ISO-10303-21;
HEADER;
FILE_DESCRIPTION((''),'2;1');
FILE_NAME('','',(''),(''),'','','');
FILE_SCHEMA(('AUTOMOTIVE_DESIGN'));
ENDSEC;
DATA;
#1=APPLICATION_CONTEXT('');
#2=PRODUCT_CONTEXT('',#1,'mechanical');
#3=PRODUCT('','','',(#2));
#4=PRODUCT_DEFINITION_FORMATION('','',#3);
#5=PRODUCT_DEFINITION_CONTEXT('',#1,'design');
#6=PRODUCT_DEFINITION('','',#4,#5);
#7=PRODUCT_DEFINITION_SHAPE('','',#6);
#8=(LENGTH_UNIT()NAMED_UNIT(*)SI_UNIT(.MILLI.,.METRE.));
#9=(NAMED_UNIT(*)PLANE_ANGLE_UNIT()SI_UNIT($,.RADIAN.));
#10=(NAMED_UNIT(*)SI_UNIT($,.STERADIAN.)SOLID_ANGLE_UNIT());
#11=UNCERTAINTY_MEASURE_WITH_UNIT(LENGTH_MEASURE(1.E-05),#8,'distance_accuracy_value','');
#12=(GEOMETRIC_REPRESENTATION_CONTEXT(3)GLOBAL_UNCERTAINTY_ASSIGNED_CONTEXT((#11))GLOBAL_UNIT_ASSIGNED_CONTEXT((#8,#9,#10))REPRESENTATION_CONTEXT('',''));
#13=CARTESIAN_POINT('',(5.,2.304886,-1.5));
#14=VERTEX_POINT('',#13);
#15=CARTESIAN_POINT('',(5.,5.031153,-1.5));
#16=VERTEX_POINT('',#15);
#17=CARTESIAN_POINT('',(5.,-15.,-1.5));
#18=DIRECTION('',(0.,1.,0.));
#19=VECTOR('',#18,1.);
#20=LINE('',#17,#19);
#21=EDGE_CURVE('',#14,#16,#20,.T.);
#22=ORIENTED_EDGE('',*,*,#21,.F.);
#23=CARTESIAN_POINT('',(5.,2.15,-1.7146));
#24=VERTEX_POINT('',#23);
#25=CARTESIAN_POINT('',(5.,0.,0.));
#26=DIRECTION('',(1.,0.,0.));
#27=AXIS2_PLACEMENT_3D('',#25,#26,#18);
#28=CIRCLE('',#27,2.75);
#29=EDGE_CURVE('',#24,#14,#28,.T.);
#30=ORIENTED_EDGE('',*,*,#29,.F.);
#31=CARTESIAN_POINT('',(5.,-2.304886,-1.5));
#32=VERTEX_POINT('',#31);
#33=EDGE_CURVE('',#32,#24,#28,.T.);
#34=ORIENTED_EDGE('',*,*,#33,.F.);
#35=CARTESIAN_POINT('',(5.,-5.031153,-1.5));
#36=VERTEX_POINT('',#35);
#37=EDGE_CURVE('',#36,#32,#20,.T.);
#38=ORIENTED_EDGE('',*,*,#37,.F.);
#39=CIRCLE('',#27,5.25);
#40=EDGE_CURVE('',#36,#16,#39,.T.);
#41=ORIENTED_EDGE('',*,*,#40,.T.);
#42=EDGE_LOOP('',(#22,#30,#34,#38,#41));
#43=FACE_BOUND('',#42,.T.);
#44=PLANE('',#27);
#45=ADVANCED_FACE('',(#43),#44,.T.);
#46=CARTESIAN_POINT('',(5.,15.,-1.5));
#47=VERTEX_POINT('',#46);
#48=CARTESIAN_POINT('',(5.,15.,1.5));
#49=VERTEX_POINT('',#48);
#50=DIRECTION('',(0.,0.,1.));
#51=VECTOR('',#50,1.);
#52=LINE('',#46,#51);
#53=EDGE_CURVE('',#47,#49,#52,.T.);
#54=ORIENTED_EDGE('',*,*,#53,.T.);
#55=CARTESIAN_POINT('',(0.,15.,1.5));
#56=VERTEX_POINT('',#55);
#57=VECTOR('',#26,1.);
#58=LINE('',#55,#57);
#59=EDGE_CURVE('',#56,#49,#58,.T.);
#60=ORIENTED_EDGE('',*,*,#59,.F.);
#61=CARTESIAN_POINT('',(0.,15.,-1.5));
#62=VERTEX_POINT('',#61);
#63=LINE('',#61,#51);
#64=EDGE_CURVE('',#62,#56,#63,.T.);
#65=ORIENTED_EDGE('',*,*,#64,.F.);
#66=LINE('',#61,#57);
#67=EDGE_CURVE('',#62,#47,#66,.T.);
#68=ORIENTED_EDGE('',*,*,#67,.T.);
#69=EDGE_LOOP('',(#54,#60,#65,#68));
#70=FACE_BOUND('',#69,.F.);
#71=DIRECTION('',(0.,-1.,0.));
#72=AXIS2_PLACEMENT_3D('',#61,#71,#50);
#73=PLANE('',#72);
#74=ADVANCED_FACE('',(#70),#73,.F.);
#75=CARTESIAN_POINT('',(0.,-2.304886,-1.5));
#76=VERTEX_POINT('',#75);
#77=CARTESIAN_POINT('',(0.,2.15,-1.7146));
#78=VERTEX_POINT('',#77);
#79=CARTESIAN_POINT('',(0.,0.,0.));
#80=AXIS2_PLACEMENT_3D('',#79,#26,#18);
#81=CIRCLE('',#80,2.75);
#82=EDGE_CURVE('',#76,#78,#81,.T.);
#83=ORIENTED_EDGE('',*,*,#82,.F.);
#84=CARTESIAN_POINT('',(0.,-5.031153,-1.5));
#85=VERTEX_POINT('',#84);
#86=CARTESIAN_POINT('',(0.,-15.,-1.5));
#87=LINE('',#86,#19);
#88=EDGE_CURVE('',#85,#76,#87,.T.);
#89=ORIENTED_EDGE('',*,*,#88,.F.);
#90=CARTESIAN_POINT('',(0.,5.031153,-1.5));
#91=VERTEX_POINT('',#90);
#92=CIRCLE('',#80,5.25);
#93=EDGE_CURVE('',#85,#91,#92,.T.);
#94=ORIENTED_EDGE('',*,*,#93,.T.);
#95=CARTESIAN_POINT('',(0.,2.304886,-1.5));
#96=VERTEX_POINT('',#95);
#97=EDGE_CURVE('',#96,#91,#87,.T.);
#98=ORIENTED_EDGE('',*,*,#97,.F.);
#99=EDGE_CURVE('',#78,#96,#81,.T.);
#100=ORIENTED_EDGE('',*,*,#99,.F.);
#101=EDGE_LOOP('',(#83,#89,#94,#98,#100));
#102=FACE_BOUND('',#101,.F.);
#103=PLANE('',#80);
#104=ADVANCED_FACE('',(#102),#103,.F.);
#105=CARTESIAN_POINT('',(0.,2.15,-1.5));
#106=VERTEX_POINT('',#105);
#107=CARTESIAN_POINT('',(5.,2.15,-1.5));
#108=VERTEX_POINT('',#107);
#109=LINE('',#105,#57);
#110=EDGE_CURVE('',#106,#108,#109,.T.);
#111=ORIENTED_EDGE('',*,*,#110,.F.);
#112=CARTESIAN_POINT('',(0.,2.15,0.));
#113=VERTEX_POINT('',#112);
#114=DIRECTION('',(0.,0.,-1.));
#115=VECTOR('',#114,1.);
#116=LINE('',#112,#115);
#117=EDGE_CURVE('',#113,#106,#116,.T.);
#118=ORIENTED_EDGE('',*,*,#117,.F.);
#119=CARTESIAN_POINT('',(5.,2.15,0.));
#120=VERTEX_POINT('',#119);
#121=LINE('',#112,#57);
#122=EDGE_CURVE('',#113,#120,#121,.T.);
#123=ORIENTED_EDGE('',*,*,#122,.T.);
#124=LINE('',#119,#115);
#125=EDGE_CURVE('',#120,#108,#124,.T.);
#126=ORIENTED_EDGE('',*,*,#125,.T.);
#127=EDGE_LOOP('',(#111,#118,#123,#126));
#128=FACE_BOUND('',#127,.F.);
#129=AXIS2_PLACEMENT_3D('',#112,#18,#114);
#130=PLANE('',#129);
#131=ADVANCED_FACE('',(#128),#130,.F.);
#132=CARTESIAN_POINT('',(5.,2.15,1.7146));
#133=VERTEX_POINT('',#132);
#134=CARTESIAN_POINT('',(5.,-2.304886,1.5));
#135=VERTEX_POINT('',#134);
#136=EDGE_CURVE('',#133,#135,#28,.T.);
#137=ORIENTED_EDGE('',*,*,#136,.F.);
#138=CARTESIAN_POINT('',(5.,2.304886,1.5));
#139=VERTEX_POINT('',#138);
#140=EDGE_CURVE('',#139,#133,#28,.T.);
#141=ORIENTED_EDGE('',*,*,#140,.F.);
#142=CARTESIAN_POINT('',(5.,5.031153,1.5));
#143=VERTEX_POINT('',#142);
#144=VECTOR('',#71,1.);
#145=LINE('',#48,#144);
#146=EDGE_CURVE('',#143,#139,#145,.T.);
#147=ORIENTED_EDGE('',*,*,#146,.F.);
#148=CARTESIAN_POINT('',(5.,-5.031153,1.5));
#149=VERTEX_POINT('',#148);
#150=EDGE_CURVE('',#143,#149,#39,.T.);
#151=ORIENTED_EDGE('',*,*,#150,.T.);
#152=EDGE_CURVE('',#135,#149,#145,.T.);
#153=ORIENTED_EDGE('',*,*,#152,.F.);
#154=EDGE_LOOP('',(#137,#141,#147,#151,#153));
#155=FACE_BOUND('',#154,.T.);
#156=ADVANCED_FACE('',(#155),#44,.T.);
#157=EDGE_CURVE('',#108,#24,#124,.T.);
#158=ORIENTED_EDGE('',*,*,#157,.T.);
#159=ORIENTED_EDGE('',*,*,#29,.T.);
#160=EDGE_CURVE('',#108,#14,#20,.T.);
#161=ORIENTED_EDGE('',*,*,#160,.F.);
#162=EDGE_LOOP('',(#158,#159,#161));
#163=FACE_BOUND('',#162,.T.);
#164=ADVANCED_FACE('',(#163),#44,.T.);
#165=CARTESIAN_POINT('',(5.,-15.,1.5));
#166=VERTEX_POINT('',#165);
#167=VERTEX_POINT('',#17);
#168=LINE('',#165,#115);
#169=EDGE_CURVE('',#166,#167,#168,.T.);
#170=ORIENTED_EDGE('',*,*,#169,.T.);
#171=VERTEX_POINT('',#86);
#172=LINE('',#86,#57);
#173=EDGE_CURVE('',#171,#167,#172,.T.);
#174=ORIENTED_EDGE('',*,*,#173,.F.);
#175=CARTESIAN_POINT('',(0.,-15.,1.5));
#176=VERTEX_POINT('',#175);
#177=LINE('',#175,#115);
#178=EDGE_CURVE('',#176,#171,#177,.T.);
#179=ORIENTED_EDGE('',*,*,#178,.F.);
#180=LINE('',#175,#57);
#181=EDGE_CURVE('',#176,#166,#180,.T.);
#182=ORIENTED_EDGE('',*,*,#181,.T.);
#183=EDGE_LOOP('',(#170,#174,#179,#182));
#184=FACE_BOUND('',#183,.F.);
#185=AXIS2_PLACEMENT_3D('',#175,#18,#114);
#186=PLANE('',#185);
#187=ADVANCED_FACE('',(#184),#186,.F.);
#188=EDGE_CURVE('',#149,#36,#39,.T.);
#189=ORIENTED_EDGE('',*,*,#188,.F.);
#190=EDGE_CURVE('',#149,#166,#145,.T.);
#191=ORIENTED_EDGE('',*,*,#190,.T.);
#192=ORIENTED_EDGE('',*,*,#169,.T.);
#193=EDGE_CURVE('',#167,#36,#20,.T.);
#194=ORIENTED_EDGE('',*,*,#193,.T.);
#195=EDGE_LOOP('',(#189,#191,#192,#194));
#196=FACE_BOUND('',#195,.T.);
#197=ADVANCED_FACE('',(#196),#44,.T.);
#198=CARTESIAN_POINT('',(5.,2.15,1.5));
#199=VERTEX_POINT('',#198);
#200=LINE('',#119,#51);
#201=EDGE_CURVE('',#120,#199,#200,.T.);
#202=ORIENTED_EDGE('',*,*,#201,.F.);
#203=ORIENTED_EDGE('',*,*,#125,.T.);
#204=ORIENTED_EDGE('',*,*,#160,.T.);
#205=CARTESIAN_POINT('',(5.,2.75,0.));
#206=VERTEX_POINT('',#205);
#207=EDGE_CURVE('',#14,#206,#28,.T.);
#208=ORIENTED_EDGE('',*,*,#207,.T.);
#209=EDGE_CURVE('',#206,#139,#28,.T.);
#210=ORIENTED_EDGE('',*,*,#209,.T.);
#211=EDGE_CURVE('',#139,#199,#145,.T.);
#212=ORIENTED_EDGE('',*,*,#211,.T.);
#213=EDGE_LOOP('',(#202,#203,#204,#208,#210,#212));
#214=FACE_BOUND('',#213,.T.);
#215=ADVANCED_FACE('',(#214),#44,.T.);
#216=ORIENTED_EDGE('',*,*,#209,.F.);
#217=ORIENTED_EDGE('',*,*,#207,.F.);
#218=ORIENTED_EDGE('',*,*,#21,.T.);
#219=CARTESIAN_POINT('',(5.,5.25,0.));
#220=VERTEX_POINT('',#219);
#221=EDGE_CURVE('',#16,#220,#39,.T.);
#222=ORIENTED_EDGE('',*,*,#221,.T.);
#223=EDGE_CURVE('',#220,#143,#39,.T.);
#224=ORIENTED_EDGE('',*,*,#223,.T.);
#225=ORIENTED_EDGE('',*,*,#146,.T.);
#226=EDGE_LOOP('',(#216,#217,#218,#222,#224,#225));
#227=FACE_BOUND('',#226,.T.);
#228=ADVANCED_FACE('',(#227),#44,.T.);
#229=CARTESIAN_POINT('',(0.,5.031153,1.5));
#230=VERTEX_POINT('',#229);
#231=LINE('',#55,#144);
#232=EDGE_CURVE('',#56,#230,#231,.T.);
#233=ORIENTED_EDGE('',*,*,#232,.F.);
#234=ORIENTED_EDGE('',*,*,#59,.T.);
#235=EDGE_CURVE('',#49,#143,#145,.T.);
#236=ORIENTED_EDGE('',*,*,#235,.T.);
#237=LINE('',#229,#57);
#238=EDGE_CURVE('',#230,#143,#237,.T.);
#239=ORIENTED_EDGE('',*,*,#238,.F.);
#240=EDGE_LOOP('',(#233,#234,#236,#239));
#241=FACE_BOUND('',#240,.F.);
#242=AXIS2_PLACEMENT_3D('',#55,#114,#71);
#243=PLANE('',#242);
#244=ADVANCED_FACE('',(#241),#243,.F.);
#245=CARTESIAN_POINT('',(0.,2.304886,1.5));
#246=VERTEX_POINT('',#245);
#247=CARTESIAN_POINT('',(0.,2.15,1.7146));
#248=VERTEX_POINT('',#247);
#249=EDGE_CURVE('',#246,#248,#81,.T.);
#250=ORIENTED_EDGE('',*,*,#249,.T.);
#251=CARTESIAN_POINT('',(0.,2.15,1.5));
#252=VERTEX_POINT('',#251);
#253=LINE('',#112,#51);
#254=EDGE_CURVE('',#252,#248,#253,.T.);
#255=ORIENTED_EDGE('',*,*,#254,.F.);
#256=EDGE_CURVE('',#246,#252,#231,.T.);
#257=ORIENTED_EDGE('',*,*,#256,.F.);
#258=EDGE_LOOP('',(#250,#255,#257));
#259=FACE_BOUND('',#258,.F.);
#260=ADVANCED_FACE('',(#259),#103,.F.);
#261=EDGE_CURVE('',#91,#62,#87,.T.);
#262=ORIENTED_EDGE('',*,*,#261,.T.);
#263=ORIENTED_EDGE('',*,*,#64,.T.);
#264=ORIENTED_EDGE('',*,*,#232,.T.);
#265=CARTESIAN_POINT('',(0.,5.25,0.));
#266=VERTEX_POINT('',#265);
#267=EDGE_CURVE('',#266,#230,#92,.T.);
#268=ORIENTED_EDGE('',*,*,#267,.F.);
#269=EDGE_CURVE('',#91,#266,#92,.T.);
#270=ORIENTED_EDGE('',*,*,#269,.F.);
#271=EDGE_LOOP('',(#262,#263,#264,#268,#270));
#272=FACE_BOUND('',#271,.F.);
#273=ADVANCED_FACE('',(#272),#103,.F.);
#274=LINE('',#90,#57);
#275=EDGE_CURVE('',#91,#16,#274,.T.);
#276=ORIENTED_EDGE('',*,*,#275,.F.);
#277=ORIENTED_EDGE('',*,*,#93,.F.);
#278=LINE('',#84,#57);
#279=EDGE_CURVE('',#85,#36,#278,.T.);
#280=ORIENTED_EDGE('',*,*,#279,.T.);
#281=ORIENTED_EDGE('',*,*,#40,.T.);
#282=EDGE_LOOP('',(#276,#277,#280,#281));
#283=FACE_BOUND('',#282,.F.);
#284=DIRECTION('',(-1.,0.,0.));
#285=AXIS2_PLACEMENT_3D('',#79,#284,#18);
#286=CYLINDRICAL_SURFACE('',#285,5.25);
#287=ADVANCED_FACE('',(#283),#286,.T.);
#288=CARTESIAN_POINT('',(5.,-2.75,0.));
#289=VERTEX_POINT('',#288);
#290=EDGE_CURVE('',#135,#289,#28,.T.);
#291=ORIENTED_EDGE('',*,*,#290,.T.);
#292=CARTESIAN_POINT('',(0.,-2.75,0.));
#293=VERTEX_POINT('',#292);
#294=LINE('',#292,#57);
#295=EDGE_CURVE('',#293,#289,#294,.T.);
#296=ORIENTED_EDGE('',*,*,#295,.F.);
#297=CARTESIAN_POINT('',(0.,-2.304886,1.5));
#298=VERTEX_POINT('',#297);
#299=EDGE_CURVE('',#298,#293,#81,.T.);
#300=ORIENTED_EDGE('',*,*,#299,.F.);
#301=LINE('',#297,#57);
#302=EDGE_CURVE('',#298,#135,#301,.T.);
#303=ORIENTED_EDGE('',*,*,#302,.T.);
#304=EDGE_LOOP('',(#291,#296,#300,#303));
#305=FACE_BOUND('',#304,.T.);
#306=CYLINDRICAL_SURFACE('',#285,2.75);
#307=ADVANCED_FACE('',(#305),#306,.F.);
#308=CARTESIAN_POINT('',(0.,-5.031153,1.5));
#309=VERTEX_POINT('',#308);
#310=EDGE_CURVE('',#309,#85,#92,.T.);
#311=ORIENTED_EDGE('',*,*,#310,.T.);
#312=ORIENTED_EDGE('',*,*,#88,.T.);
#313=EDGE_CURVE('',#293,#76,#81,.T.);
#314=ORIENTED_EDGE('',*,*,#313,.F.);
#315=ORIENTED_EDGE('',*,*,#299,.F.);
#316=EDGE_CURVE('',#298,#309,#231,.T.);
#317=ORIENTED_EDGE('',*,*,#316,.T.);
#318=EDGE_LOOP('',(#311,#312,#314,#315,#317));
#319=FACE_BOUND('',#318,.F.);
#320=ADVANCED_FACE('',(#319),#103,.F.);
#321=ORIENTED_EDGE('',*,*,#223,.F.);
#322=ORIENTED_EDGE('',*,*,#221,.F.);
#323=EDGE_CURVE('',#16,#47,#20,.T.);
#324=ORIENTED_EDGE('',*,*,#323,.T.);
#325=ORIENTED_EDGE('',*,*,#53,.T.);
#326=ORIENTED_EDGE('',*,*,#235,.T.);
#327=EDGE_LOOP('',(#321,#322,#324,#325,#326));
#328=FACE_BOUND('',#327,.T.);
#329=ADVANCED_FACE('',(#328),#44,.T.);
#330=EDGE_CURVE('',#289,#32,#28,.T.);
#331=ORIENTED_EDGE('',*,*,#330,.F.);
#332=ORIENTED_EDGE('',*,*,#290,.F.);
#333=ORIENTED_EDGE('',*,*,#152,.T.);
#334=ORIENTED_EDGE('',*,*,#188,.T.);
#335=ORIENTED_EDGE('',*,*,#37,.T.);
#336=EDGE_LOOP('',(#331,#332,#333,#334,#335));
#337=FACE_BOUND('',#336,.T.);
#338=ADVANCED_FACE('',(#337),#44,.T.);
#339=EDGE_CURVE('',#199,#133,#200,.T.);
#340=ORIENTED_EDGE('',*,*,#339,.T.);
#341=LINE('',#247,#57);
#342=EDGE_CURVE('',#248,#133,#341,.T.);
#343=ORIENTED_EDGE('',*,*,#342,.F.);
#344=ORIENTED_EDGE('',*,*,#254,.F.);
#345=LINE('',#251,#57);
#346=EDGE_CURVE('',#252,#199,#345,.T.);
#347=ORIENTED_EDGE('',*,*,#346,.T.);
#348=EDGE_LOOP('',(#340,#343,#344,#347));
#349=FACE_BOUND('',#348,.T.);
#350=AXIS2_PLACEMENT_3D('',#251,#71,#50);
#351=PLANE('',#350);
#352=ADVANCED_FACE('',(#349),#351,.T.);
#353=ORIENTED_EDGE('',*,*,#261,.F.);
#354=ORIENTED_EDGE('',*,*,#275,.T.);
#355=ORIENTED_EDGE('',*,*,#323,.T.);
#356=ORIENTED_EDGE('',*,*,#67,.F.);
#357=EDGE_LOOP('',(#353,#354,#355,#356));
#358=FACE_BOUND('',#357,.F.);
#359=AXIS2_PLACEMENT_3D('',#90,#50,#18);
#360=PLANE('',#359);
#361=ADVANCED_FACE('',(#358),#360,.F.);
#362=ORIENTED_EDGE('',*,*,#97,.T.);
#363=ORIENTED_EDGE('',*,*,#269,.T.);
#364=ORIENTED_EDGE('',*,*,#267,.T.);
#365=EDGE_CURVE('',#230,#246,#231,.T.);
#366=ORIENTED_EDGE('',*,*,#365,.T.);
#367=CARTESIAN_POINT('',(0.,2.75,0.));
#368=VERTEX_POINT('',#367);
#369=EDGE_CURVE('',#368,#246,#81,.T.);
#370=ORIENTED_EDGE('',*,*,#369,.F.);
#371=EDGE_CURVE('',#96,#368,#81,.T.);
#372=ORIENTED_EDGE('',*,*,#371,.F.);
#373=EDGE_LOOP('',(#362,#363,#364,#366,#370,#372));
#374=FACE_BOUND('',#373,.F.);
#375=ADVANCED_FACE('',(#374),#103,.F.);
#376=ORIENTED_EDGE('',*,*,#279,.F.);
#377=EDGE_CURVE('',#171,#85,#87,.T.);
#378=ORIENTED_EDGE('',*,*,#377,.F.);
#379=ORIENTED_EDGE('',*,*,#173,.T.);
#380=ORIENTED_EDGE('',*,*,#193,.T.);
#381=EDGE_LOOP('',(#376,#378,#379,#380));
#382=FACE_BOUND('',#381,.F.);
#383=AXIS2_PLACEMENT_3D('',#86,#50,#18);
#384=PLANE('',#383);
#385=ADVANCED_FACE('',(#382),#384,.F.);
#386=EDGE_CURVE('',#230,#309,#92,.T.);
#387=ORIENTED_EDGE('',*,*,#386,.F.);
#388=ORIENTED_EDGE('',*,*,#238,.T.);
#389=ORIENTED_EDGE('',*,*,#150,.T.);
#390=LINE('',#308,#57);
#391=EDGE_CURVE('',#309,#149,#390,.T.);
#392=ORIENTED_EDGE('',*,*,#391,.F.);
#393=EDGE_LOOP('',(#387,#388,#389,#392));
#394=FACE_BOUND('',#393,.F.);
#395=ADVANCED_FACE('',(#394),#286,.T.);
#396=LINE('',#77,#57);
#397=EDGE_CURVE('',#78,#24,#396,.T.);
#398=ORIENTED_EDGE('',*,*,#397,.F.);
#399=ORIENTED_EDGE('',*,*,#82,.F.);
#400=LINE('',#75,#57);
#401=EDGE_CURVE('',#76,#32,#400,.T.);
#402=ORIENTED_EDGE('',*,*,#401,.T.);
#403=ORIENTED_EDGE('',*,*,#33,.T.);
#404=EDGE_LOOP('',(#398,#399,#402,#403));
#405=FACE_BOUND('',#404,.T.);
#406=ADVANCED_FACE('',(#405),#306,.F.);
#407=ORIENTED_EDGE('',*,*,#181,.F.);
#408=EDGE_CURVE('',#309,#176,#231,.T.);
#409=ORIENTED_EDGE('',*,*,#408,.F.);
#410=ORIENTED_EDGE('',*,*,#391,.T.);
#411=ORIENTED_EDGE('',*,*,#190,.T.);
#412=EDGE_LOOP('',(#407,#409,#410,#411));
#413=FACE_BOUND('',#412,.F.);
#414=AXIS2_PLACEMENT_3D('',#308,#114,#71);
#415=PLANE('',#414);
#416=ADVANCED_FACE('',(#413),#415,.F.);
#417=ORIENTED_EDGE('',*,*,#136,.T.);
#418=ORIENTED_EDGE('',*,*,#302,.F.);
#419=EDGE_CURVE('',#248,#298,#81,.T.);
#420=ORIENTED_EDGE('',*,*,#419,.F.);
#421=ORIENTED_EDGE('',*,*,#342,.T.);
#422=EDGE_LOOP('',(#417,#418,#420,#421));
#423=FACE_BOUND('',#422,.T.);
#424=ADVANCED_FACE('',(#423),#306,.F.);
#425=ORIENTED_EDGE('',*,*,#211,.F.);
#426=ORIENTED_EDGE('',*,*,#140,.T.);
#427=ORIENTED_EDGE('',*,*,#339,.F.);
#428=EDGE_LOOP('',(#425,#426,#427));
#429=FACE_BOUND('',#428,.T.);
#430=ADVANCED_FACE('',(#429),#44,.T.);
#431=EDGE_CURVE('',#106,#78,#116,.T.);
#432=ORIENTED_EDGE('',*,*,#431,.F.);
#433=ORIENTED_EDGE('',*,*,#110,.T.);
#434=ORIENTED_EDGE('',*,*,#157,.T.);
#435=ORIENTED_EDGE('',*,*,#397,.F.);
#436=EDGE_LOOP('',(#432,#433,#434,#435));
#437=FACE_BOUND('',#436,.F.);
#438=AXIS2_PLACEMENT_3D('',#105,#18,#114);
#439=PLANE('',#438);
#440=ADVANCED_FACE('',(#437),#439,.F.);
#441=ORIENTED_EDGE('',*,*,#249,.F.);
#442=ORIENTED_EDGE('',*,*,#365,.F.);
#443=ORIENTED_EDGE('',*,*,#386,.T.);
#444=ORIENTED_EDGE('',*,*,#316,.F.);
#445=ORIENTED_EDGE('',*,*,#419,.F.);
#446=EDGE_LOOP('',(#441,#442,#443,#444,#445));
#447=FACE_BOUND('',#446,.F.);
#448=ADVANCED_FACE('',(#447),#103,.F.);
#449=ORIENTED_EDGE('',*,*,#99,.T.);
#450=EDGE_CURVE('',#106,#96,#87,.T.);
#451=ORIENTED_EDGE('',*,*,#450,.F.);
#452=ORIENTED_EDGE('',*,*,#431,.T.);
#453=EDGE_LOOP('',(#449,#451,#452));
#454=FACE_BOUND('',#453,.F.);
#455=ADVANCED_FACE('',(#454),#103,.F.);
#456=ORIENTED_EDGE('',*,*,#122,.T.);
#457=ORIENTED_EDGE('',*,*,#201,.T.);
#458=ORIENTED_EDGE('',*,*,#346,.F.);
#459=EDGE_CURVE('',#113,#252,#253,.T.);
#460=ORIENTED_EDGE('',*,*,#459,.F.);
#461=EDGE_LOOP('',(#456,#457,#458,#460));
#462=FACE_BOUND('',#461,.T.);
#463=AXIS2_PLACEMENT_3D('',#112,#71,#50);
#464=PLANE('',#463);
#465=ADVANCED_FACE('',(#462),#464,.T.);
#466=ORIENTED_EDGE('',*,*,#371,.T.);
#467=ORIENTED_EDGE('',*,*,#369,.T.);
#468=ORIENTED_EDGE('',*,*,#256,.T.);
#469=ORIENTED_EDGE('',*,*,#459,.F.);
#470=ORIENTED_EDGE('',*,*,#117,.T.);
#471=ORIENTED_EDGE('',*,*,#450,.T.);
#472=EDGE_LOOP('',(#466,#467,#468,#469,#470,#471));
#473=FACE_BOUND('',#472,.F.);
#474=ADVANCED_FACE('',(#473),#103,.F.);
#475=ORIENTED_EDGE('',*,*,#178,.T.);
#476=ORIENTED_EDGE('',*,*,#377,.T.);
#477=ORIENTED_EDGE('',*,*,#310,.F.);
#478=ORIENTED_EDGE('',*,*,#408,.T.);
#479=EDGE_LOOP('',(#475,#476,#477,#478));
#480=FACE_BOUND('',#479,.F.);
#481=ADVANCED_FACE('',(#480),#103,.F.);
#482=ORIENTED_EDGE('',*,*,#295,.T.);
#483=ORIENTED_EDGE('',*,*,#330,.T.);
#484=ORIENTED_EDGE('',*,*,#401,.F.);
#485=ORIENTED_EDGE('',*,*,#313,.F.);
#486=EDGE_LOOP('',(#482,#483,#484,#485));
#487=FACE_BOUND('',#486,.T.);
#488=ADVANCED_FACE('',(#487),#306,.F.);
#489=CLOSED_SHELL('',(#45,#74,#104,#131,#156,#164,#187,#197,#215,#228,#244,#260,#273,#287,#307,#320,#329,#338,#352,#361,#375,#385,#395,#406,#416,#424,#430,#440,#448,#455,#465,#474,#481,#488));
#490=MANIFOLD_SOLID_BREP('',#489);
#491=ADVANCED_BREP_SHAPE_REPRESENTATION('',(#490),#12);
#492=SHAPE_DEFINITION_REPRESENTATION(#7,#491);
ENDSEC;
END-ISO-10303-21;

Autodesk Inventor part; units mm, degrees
ref_plane "YZ Plane" through (0, 0, 0) normal (1, 0, 0) x (0, 1, 0)
ref_plane "XZ Plane" through (0, 0, 0) normal (0, 1, 0) x (-1, 0, 0)
ref_plane "XY Plane" through (0, 0, 0) normal (0, 0, 1) x (1, 0, 0)
sketch "Sketch1" plane through (0, 0, 0) normal (1, 0, 0) x (0, 1, 0)
  circle A0 centre (0, 0) radius 2.75
  line L0 (-2.75, 0) -> (2.15, 0)
  line L1 (2.15, 0) -> (2.15, -1.7146)
  line L2 (2.15, 0) -> (2.15, 1.7146)
  circle A1 centre (0, 0) radius 5.25
  line L3 (15, 1.5) -> (-15, 1.5)
  line L4 (-15, 1.5) -> (-15, -1.5)
  line L5 (-15, -1.5) -> (15, -1.5)
  line L6 (15, -1.5) -> (15, 1.5)
  line L7 (15, 1.5) -> (-15, -1.5) construction
  line L8 (-15, 1.5) -> (15, -1.5) construction
  point P0 (5.0312, 1.5)
  point P1 (-5.0312, 1.5)
  point P2 (-5.0312, -1.5)
  point P3 (5.0312, -1.5)
  dimension "d0" = 5.5
  dimension "d3" = 4.9
  dimension "d4" = 2.5
  dimension "d5" = 30
  dimension "d6" = 3
extrude "Extrusion1" add sketch "Sketch1" along normal blind 5 contours A0 L5 L1 L2 L3 | A0 L3 A1 L5 | L3 L2 A0 | A0 L3 A1 | L5 A1 A0 | A0 L1 L5 | L3 L6 L5 A1 | A0 L5 A1 L3 | A1 L5 L4 L3 picked at (2.168, 1.6198) picked at (2.168, -1.6198)
properties part number "dshaft_fit_test"
